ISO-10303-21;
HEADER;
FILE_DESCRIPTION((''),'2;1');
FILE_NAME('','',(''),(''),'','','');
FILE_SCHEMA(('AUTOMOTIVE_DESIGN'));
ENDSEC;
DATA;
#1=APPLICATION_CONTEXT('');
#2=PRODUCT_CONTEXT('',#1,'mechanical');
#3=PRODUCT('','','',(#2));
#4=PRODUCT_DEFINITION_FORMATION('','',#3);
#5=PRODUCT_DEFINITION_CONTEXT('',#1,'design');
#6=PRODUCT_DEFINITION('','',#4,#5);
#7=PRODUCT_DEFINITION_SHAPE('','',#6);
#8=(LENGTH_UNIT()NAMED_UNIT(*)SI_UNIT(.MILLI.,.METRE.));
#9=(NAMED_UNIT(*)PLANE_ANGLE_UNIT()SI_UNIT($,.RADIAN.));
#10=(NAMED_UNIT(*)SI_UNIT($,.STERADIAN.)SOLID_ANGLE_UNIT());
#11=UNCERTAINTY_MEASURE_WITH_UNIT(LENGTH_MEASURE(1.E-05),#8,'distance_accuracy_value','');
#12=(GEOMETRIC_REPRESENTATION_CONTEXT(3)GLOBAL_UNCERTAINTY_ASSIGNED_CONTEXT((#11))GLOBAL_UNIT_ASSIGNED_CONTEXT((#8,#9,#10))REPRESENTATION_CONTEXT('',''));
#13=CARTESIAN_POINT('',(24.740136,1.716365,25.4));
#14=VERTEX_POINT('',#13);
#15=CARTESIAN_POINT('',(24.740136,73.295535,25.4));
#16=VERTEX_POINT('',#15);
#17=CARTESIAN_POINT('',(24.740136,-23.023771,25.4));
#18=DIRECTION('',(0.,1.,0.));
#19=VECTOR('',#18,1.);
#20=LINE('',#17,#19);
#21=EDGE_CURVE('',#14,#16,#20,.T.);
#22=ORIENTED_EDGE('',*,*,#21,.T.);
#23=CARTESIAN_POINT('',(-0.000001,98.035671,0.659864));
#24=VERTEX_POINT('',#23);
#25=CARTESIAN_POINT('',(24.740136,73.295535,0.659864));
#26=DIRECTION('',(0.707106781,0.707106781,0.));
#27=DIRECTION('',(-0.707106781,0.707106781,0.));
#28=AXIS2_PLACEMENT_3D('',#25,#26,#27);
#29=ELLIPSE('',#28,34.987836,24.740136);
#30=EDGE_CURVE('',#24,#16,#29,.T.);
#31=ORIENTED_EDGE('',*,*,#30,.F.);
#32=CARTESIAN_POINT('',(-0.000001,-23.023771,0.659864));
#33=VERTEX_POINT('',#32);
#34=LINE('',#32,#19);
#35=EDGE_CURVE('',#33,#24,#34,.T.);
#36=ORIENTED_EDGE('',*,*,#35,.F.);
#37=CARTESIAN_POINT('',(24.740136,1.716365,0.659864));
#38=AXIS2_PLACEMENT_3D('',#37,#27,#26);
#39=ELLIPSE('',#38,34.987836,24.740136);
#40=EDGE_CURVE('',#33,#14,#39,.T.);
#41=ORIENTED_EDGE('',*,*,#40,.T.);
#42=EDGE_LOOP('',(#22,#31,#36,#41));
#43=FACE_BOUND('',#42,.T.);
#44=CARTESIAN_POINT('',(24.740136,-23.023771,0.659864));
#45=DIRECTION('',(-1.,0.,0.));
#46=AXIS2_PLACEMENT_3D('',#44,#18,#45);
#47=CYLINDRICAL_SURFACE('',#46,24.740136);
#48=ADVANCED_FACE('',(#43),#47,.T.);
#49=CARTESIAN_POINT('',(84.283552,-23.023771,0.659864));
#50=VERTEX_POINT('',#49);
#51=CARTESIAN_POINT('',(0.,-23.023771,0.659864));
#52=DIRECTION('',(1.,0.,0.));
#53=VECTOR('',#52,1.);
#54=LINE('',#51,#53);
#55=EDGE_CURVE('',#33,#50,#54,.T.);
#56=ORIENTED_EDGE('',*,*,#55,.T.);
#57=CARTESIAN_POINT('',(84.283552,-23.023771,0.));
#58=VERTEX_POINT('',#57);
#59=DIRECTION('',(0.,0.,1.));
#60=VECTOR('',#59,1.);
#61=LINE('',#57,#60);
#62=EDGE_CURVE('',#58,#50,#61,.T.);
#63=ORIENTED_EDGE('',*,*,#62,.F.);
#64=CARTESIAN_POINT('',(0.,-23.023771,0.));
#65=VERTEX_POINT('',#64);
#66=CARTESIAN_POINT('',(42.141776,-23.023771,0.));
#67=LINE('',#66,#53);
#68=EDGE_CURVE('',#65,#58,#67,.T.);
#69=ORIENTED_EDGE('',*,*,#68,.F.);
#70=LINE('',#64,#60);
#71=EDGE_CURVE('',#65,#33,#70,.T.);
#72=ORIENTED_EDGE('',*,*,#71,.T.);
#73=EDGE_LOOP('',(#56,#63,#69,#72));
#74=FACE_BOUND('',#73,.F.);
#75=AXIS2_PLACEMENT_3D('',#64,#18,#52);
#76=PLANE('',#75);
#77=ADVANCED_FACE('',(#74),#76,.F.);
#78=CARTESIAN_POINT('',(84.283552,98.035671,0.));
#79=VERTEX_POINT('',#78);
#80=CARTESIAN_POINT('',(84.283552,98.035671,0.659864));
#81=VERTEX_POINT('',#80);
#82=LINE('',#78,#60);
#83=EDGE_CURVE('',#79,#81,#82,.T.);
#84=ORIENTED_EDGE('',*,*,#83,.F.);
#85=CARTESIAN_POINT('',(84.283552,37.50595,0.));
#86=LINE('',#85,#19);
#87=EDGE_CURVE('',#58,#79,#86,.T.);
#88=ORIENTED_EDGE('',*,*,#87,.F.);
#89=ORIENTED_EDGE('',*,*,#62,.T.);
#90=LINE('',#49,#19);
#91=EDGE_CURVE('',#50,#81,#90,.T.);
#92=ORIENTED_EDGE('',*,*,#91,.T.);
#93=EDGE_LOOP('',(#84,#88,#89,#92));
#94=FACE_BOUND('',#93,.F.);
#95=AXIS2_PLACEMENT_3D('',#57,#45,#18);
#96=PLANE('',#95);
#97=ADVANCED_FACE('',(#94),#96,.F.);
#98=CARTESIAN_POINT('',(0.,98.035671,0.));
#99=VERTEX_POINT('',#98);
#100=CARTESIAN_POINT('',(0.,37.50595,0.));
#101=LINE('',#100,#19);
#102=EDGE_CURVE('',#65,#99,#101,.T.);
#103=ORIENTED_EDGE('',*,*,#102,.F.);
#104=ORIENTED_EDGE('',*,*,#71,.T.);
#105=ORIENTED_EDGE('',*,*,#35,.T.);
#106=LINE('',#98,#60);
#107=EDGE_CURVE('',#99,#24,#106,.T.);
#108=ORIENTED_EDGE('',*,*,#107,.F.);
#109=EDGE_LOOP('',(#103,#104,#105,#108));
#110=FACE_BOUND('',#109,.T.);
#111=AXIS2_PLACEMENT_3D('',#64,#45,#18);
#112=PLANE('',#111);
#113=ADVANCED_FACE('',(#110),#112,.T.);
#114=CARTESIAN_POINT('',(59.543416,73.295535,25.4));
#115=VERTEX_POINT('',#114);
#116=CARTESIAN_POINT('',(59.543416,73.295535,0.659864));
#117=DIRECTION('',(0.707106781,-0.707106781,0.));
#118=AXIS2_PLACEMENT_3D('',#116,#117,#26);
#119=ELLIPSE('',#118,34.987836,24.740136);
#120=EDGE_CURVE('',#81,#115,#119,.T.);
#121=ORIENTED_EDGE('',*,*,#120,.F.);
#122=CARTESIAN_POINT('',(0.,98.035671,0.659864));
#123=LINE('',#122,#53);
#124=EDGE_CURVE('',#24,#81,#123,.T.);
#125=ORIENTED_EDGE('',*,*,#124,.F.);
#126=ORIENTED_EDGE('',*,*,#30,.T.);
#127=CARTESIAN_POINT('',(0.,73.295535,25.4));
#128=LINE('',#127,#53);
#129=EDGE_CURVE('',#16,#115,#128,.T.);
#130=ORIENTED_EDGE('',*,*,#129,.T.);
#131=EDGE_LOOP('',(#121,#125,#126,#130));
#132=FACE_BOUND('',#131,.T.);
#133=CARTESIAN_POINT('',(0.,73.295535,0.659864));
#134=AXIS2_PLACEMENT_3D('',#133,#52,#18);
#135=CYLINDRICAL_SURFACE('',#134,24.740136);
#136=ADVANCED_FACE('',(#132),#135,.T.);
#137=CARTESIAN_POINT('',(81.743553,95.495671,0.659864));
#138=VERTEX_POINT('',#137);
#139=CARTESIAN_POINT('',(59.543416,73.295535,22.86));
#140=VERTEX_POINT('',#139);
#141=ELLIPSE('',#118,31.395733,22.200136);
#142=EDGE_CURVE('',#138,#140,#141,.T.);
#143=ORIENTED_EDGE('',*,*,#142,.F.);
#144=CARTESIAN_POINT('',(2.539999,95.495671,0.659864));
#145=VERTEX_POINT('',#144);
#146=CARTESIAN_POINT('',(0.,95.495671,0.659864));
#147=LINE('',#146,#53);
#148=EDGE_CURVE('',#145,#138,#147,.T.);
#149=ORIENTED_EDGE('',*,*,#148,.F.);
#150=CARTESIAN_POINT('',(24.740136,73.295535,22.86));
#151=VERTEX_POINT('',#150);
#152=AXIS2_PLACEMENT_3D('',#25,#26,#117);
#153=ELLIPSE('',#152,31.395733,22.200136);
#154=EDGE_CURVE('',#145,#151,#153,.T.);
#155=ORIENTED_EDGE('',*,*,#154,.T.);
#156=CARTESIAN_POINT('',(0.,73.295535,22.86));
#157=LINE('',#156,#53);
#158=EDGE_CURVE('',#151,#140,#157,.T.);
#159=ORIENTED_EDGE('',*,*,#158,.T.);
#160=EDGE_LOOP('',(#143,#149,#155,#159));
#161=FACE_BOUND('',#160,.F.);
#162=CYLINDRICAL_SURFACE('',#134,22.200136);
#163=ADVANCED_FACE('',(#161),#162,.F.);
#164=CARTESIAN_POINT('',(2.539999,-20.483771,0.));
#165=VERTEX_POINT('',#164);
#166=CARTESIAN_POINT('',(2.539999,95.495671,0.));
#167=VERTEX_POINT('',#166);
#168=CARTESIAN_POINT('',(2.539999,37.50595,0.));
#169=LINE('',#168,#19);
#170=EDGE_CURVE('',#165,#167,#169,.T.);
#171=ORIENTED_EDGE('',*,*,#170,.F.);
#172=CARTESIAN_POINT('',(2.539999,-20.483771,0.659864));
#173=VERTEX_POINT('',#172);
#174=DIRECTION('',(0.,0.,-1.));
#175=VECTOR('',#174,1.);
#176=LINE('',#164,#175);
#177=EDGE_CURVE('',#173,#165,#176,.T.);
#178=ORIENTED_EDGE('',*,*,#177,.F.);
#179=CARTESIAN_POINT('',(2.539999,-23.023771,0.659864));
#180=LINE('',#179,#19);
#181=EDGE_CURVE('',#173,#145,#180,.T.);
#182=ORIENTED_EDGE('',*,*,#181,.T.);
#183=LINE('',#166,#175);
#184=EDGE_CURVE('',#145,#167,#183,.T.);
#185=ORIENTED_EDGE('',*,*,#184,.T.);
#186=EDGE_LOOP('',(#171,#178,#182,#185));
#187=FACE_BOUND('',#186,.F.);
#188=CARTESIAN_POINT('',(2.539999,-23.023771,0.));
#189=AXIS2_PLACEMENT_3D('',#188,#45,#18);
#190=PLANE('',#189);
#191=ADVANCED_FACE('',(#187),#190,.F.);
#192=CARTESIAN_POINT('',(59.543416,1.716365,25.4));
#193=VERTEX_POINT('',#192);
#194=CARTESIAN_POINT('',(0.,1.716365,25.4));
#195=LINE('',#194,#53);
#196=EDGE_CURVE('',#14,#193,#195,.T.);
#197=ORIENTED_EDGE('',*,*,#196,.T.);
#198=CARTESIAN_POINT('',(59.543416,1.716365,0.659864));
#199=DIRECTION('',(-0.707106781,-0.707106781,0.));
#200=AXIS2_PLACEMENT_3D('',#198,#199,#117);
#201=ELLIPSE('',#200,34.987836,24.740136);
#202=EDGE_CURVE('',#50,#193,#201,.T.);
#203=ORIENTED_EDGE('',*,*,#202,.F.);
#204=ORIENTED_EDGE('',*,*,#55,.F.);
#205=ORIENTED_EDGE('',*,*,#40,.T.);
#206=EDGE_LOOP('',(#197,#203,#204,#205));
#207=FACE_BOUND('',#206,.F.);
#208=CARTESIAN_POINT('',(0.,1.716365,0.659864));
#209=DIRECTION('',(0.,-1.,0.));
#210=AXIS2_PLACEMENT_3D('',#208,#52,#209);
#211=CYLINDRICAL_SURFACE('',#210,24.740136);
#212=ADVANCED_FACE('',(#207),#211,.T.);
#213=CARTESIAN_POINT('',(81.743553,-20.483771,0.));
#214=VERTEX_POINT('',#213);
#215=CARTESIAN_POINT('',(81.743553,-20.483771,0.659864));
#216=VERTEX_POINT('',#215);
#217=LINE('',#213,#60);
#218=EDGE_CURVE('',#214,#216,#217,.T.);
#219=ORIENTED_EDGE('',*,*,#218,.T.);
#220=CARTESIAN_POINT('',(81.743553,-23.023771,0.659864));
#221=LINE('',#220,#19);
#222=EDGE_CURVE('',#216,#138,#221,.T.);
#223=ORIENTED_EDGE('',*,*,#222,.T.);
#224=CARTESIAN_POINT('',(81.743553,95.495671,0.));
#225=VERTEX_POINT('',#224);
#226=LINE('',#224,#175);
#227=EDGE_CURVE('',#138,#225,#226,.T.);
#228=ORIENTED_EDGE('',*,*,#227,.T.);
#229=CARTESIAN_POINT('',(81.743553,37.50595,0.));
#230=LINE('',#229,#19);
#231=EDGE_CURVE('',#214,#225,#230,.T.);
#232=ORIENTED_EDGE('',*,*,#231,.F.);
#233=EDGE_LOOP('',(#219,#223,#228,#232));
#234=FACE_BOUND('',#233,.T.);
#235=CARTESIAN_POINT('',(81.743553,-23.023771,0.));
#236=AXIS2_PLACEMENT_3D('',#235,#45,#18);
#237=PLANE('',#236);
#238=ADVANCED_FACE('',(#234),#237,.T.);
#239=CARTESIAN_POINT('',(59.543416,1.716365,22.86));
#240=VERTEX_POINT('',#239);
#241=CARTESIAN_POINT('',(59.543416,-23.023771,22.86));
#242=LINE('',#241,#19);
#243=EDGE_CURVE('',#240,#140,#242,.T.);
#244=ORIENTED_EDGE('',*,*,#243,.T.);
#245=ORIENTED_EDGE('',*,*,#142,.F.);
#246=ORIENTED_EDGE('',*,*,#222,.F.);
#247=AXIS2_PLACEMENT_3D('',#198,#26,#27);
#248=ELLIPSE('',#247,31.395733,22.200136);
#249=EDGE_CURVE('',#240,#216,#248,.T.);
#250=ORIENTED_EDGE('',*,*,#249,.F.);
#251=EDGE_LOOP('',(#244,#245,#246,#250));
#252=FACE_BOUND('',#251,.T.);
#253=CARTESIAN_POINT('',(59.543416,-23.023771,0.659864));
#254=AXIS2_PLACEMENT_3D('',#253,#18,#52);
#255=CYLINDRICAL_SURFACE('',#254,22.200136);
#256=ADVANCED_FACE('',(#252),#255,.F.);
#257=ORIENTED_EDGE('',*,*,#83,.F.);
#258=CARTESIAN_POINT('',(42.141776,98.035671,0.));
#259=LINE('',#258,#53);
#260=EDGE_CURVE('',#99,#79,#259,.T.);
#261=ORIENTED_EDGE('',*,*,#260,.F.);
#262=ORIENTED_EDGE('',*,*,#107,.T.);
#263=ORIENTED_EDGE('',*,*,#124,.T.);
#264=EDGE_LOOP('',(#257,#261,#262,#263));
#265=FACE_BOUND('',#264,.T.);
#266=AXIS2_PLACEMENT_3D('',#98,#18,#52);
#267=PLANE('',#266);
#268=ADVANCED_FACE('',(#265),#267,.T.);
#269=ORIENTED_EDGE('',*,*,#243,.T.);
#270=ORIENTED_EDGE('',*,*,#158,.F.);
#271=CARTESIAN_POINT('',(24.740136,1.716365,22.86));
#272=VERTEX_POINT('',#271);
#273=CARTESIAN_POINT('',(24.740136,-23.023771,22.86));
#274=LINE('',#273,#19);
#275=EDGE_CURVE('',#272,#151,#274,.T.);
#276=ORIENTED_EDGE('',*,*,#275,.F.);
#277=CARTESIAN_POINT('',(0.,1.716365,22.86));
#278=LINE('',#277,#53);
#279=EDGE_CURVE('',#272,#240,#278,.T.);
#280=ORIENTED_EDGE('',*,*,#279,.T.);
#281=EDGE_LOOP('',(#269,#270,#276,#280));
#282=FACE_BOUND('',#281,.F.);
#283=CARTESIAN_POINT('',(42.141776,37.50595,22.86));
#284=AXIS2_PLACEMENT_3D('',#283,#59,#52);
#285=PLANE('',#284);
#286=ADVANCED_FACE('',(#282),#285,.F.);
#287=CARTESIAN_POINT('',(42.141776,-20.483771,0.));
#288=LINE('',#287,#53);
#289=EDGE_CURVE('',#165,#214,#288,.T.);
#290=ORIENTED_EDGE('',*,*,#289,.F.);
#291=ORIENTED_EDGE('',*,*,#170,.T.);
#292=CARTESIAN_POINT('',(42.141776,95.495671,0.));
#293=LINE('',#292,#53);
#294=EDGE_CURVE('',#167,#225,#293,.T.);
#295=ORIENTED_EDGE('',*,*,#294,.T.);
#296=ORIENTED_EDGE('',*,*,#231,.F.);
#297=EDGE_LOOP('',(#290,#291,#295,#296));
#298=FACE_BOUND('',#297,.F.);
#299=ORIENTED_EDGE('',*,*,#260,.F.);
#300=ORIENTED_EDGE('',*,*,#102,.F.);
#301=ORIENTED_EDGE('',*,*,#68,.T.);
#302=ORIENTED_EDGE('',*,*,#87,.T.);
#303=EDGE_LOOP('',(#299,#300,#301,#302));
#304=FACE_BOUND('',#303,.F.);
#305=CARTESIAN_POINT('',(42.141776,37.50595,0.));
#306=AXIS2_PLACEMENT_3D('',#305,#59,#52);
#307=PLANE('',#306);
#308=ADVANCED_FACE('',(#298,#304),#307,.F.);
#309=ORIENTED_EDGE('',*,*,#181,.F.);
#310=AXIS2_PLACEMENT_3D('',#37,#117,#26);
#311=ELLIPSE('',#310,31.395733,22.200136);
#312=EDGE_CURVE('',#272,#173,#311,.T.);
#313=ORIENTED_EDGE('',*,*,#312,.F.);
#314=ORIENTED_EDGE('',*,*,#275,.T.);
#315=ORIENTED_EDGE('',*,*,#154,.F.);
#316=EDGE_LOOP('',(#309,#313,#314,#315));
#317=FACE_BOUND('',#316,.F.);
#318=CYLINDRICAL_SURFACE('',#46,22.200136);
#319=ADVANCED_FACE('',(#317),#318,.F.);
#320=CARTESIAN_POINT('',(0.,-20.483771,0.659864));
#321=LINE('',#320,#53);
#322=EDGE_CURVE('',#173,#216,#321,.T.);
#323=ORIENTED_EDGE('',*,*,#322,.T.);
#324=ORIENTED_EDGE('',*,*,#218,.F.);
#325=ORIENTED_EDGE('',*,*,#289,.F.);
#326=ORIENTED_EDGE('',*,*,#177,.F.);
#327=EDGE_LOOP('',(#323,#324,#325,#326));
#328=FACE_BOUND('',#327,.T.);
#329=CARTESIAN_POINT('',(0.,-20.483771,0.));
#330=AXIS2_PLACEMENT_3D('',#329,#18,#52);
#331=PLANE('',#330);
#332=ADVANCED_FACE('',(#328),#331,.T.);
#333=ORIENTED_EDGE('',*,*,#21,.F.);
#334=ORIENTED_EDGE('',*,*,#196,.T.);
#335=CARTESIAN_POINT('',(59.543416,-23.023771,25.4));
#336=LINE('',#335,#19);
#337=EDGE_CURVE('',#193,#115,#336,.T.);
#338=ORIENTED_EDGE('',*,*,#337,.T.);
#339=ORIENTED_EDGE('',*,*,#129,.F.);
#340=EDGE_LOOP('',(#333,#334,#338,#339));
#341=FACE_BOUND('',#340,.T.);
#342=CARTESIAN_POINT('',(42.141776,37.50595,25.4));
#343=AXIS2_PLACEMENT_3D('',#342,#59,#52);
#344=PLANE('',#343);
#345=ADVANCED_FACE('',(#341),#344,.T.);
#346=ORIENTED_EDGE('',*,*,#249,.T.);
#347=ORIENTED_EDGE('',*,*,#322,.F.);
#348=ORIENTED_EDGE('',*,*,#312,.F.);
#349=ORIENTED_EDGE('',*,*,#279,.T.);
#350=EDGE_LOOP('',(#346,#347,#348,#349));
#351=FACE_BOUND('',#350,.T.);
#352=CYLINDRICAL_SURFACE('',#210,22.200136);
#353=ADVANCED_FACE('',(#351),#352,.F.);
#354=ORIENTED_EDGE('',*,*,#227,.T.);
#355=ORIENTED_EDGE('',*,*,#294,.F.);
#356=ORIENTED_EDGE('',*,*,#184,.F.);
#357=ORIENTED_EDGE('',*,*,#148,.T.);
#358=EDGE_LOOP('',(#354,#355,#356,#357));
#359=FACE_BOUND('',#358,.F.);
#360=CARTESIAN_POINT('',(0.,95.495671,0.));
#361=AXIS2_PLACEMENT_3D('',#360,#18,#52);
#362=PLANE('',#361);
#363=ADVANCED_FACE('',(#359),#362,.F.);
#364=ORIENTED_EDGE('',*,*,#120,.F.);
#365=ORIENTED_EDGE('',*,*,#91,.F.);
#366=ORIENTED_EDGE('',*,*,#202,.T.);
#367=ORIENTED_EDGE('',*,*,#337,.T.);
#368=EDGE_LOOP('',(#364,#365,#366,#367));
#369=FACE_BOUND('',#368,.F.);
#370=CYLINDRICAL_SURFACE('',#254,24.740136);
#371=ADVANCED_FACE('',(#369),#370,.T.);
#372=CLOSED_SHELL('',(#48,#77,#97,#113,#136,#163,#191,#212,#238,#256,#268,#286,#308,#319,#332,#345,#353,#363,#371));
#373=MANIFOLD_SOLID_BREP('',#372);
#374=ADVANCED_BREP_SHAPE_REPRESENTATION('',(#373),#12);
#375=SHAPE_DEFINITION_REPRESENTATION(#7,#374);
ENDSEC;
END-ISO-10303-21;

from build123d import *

# Parameters (mm, degrees)
F0_W     = 84.283553
F0_H     = 121.059442
F1_DEPTH = 25.4
F2_R     = 24.740136
F3_T     = -2.54


with BuildPart() as f1:
    # F0 (on Top) → F1 (new body)
    with BuildSketch(Plane.XY):
        with Locations((42.141776, 37.50595)):
            Rectangle(F0_W, F0_H)
    extrude(amount=F1_DEPTH)

    # F2
    f2_edges = [f1.edges().sort_by_distance(p)[0] for p in [
        (0, 37.50595, 25.4),
        (42.141777, -23.023771, 25.4),
        (84.283553, 37.50595, 25.4),
        (42.141777, 98.035671, 25.4),
    ]]
    fillet(f2_edges, radius=F2_R)

    # F3
    f3_openings = [f1.faces().sort_by_distance(p)[0] for p in [
        (42.141777, 37.50595, 0),
    ]]
    offset(amount=F3_T, openings=f3_openings)


solid = f1.part
